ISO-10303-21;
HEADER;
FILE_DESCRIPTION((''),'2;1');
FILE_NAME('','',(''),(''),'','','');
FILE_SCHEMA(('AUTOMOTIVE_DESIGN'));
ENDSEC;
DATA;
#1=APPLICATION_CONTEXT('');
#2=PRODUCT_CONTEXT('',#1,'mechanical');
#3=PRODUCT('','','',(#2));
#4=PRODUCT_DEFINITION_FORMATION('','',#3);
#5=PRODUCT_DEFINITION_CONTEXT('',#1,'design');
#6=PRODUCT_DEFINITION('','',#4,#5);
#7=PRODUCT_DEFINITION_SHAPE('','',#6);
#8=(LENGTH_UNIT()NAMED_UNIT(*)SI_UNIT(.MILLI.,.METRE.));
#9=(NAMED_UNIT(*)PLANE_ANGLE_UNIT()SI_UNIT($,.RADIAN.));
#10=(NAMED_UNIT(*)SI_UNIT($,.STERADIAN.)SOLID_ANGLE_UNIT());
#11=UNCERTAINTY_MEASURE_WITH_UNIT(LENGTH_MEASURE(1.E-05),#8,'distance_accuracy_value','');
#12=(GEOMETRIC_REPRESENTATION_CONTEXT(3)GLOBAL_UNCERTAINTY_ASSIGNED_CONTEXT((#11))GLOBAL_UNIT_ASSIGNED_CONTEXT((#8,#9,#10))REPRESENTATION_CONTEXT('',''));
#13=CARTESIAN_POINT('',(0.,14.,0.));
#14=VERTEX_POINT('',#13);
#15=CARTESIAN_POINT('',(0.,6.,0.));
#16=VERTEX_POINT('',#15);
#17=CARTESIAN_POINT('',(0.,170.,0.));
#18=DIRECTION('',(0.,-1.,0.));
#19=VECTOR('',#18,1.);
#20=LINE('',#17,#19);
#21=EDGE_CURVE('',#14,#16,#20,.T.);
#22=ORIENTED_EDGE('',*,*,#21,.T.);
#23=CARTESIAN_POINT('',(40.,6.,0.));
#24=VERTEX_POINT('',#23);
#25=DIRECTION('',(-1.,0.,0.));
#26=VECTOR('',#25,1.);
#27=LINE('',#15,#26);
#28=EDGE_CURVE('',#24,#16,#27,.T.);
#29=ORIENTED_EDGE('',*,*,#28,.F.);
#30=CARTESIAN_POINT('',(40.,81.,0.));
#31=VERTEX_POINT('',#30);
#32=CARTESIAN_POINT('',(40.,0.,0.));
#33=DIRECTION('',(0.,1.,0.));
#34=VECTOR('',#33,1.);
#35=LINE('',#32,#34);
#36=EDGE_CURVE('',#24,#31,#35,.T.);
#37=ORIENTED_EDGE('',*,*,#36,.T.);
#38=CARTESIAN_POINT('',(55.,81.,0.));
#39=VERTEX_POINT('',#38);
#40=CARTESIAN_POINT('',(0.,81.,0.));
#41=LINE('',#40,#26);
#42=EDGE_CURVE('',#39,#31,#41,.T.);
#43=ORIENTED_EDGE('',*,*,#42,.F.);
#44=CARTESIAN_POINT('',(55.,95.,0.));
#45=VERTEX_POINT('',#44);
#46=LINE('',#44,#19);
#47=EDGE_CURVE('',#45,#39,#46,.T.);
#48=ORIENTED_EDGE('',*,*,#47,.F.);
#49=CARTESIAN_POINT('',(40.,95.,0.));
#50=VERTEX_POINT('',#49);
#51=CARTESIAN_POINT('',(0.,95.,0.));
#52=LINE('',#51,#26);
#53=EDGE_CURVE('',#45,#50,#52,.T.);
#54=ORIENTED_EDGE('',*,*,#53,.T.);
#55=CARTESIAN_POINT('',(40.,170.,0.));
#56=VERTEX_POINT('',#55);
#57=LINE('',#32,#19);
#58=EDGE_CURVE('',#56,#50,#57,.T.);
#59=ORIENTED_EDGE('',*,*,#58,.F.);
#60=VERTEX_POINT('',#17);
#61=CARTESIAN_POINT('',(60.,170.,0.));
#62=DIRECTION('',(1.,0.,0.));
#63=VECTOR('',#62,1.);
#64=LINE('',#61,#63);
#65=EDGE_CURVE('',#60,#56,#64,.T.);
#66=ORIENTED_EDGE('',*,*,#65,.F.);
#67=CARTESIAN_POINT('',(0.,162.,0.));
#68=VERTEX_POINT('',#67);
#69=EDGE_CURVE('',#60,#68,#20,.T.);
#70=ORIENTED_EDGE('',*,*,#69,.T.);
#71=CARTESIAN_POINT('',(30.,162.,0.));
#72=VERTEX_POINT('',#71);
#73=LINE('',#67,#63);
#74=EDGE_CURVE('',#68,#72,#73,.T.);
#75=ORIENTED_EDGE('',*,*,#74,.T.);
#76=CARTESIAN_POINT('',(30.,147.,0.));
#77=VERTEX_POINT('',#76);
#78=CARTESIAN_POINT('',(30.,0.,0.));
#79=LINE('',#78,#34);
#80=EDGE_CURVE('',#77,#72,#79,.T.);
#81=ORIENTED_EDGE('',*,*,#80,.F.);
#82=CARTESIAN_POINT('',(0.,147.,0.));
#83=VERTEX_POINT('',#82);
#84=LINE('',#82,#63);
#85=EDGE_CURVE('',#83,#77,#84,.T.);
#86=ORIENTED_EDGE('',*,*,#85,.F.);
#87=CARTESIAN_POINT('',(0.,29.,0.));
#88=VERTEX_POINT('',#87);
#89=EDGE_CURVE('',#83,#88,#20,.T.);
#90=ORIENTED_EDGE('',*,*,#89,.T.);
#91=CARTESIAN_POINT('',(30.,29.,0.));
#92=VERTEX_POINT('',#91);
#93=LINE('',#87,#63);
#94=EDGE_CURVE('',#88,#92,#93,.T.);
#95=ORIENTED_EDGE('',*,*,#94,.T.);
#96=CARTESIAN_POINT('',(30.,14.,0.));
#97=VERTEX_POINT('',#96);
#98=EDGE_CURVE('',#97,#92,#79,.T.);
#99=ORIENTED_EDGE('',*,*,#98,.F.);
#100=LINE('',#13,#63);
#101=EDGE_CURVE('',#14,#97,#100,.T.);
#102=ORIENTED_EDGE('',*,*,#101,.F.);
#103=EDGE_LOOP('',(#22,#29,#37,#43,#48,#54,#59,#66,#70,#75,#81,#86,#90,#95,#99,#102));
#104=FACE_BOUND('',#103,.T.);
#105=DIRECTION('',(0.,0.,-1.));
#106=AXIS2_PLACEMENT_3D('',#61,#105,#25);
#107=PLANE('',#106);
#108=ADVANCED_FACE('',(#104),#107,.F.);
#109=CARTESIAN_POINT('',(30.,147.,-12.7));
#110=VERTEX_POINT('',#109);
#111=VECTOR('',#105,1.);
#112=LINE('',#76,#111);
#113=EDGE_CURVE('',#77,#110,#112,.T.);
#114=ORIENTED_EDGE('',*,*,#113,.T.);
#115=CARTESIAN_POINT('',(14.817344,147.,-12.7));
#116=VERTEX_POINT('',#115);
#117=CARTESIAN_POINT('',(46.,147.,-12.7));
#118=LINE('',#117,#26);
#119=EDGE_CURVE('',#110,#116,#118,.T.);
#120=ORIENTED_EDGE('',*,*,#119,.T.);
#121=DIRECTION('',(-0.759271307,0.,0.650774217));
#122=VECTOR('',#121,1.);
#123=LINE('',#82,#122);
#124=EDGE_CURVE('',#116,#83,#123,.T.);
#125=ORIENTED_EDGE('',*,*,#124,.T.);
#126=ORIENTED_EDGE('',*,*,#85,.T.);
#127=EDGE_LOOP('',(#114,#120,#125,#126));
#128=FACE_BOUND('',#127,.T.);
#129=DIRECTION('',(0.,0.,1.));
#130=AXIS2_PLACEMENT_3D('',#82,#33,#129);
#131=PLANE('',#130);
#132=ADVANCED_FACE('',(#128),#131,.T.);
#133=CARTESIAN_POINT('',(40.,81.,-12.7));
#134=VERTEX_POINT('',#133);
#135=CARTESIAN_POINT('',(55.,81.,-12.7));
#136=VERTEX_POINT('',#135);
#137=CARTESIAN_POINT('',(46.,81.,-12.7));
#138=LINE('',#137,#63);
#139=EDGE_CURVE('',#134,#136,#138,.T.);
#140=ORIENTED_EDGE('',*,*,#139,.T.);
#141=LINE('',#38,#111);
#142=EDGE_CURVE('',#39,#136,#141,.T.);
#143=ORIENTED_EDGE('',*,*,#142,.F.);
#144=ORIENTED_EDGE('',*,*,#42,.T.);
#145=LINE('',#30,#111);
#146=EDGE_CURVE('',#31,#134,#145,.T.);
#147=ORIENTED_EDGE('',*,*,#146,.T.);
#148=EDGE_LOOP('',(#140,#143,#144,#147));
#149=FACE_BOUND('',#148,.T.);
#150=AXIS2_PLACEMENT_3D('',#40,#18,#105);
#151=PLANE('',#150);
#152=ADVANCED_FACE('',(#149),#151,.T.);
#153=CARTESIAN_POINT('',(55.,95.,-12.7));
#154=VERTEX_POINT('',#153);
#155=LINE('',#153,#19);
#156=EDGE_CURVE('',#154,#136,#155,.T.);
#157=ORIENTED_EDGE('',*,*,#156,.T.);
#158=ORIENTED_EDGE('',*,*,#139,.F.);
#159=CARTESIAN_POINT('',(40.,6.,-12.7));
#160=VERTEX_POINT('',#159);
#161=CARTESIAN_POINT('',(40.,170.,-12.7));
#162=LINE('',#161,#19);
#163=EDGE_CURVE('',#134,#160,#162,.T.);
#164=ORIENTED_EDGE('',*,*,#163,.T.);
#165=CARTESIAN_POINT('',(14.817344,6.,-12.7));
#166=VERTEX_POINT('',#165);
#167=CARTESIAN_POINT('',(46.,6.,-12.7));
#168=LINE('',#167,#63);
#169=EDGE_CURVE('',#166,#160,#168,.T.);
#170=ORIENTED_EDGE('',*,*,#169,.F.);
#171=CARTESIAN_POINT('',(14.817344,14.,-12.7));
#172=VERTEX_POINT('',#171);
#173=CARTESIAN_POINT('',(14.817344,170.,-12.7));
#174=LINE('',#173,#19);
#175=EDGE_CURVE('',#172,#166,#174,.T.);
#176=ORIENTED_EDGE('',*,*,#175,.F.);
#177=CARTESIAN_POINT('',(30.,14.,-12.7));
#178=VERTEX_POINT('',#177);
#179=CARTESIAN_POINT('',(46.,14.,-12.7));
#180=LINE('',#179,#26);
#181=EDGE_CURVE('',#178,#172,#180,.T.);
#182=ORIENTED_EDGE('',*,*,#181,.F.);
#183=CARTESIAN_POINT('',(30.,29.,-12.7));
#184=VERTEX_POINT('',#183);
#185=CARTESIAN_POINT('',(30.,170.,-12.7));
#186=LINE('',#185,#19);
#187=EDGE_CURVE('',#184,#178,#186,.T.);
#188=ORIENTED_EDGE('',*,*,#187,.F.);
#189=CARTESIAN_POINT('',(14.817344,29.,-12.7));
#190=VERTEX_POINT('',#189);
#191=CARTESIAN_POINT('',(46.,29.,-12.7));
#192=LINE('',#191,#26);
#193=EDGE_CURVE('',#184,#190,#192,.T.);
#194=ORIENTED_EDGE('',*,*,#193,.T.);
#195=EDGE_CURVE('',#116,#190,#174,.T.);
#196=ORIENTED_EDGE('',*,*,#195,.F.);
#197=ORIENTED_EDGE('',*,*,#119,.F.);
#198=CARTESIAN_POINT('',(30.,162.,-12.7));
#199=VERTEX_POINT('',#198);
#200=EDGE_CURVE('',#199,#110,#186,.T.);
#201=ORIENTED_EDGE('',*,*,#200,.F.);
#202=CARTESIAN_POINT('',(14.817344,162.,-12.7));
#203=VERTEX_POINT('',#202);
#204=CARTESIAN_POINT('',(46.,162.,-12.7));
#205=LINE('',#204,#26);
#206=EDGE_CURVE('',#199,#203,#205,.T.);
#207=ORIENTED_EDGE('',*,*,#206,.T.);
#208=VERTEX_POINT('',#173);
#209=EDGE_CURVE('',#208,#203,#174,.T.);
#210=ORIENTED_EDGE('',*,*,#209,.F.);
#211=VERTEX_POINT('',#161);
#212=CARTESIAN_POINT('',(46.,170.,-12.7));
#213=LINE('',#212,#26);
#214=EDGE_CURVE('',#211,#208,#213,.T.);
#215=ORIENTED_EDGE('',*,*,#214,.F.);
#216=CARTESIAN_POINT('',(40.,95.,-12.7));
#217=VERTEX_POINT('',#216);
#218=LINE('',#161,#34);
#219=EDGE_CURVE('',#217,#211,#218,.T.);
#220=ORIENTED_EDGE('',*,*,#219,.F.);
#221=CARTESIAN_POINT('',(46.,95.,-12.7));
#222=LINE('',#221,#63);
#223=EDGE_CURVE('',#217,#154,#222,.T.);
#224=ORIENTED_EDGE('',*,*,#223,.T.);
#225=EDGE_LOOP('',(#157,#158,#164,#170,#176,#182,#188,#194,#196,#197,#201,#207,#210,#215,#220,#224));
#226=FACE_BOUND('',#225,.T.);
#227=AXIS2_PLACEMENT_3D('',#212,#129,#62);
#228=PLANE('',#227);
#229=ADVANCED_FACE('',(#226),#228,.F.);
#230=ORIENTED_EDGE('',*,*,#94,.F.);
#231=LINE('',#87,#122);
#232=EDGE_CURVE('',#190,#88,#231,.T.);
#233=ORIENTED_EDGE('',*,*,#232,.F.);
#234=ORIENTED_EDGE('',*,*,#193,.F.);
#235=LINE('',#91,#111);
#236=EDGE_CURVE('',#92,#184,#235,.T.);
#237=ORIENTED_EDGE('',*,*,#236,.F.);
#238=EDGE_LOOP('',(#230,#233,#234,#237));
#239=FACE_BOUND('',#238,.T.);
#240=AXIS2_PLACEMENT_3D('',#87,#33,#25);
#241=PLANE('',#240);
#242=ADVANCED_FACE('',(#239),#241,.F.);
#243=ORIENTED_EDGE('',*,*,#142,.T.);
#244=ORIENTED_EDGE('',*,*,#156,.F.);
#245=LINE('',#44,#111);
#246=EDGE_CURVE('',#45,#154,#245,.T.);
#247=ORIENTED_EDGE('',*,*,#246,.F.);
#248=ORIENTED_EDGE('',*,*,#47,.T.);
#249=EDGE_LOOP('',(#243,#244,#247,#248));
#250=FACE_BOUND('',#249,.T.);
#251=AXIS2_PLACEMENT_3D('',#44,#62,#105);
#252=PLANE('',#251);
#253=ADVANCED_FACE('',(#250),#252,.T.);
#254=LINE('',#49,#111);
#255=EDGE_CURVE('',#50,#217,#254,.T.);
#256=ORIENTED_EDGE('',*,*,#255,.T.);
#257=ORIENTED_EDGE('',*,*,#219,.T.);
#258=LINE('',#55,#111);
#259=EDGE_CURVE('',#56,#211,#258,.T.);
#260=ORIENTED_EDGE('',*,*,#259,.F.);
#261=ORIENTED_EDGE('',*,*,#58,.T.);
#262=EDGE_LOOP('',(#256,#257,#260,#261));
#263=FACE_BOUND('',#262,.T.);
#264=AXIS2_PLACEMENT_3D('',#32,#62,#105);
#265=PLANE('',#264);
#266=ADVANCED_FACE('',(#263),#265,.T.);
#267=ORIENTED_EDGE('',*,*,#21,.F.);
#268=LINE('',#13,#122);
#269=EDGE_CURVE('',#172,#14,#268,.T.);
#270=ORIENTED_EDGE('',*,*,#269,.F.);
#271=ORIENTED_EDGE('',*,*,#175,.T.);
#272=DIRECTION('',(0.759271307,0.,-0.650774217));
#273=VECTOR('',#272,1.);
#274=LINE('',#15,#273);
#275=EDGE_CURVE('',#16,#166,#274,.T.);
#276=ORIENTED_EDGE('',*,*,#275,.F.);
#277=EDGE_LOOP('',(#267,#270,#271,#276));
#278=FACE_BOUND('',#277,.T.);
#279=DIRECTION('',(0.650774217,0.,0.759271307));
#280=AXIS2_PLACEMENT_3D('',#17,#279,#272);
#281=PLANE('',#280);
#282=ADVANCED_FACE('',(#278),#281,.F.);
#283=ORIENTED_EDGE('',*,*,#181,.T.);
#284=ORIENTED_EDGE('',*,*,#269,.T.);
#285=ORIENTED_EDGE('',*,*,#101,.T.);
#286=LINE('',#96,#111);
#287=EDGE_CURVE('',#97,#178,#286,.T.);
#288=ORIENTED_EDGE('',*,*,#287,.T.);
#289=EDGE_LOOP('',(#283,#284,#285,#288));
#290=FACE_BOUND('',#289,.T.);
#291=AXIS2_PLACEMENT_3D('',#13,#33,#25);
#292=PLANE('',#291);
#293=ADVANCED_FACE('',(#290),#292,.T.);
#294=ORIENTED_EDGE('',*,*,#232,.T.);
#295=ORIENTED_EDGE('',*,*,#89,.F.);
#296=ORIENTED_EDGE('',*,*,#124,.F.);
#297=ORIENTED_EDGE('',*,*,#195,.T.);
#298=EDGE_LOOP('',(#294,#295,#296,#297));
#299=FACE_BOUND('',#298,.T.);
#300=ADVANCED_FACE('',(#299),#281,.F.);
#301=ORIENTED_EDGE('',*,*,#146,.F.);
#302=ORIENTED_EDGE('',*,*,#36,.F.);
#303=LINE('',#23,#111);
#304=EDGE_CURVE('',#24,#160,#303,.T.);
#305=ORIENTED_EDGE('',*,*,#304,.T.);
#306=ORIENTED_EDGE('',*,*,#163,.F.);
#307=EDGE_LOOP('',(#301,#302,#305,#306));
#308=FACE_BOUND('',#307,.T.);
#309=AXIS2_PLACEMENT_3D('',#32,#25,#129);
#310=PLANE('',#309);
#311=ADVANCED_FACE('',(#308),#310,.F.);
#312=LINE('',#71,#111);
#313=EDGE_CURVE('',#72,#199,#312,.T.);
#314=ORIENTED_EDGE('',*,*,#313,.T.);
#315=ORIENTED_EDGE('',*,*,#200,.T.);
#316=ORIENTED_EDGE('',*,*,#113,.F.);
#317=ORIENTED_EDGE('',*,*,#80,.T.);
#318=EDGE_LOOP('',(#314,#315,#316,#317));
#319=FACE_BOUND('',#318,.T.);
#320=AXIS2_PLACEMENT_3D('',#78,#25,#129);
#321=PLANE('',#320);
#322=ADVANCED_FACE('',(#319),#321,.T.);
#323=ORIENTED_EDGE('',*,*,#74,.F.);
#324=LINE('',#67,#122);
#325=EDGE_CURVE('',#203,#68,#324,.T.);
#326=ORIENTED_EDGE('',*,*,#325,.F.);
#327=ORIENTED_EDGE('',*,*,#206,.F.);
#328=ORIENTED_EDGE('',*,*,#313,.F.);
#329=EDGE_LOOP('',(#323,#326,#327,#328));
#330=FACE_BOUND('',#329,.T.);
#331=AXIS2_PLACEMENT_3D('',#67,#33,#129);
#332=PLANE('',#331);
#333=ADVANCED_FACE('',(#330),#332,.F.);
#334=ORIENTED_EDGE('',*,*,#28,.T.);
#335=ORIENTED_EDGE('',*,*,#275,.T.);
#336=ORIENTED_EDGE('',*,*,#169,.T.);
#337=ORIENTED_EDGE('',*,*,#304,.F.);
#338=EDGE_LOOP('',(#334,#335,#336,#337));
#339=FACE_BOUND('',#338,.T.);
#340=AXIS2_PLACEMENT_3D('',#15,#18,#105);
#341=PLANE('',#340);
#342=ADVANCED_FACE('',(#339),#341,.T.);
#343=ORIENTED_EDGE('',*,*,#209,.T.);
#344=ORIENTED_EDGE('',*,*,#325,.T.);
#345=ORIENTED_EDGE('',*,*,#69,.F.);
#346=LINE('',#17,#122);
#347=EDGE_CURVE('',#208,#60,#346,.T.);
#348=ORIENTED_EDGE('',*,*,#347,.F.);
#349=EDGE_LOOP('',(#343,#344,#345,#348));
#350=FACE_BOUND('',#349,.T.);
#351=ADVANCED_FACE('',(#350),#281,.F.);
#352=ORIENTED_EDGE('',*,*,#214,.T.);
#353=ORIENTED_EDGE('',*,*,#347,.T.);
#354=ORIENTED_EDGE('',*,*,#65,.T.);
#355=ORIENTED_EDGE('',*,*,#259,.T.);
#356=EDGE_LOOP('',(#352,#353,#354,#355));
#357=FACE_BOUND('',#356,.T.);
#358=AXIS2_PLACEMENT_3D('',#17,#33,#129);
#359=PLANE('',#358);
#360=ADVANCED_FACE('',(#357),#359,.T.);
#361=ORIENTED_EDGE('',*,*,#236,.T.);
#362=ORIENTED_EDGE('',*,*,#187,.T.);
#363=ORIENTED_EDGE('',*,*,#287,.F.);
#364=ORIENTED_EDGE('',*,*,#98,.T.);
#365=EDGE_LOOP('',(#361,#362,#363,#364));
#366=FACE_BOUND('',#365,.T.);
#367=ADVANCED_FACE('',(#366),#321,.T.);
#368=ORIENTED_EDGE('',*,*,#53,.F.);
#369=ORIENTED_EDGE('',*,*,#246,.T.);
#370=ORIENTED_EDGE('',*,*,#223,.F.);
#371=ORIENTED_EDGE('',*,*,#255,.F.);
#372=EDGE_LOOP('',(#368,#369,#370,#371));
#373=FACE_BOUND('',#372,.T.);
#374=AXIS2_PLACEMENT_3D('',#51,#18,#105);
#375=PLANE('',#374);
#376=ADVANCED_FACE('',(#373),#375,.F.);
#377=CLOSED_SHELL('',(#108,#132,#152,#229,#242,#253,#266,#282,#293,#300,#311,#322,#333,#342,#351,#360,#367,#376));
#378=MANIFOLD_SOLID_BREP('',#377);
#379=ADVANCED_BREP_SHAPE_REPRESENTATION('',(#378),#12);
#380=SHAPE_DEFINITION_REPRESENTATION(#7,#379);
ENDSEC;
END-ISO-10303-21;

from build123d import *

# Parameters (mm, degrees)
SALIENTE_EXTRUIR1_DEPTH    = 170
CROQUIS2_W                 = 8
CROQUIS2_H                 = 27
CORTAR_EXTRUIR1_DEPTH      = 1
CORTAR_EXTRUIR1_DEPTH_BACK = 16
CROQUIS3_W                 = 38.06511858
CROQUIS3_H                 = 175.826127046
CORTAR_EXTRUIR2_DEPTH      = 1
CORTAR_EXTRUIR2_DEPTH_BACK = 16
CROQUIS4_W                 = 35.532251822
CROQUIS4_H                 = 7.536766594
CORTAR_EXTRUIR3_DEPTH      = 1
CORTAR_EXTRUIR3_DEPTH_BACK = 171
CROQUIS5_W                 = 14.817344245
CROQUIS5_H                 = 15
CROQUIS5_W_2               = 15.182655755
CROQUIS5_W_3               = 6
CROQUIS5_H_2               = 75
CROQUIS5_H_3               = 6
CORTAR_EXTRUIR4_DEPTH      = 1
CORTAR_EXTRUIR4_DEPTH_BACK = 13.7
CROQUIS6_W                 = 9
CROQUIS6_H                 = 14
SALIENTE_EXTRUIR2_DEPTH    = 12.7


with BuildPart() as part:
    # Croquis1 → Saliente-Extruir1 (new body)
    with BuildSketch(Plane(origin=(0, 0, 0), x_dir=(1, 0, 0), z_dir=(0, 1, 0))):
        Polygon((0, 0), (17.50080029, 15), (60, 15), (60, 0), align=None)
    extrude(amount=SALIENTE_EXTRUIR1_DEPTH)

    # Croquis2 → Cortar-Extruir1 (cut, two sides)
    with BuildSketch(Plane(origin=(0, 0, -15), x_dir=(-1, 0, 0), z_dir=(0, 0, -1))) as cortar_extruir1_sk:
        with Locations((-56, 13.5)):
            Rectangle(CROQUIS2_W, CROQUIS2_H)
        with Locations((-56, 156.5)):
            Rectangle(CROQUIS2_W, CROQUIS2_H)
    extrude(amount=CORTAR_EXTRUIR1_DEPTH, mode=Mode.SUBTRACT)
    extrude(cortar_extruir1_sk.sketch, amount=-CORTAR_EXTRUIR1_DEPTH_BACK, mode=Mode.SUBTRACT)

    # Croquis3 → Cortar-Extruir2 (cut, two sides)
    with BuildSketch(Plane(origin=(0, 0, -15), x_dir=(-1, 0, 0), z_dir=(0, 0, -1))) as cortar_extruir2_sk:
        with Locations((-65.03255929, 82.086936477)):
            Rectangle(CROQUIS3_W, CROQUIS3_H)
    extrude(amount=CORTAR_EXTRUIR2_DEPTH, mode=Mode.SUBTRACT)
    extrude(cortar_extruir2_sk.sketch, amount=-CORTAR_EXTRUIR2_DEPTH_BACK, mode=Mode.SUBTRACT)

    # Croquis4 → Cortar-Extruir3 (cut, two sides)
    with BuildSketch(Plane.XZ) as cortar_extruir3_sk:
        with Locations((28.233874089, -16.468383297)):
            Rectangle(CROQUIS4_W, CROQUIS4_H)
    extrude(amount=CORTAR_EXTRUIR3_DEPTH, mode=Mode.SUBTRACT)
    extrude(cortar_extruir3_sk.sketch, amount=-CORTAR_EXTRUIR3_DEPTH_BACK, mode=Mode.SUBTRACT)

    # Croquis5 → Cortar-Extruir4 (cut, two sides)
    with BuildSketch(Plane(origin=(0, 0, -12.7), x_dir=(-1, 0, 0), z_dir=(0, 0, -1))) as cortar_extruir4_sk:
        with Locations((-7.408672123, 21.5)):
            Rectangle(CROQUIS5_W, CROQUIS5_H)
        with Locations((-22.408672123, 21.5)):
            Rectangle(CROQUIS5_W_2, CROQUIS5_H)
        with Locations((-43, 43.5)):
            Rectangle(CROQUIS5_W_3, CROQUIS5_H_2)
        Polygon((-40, 6), (-46, 6), (-46, 0), (-14.817344245, 0), (-14.817344245, 6), align=None)
        with Locations((-7.408672123, 3)):
            Rectangle(CROQUIS5_W, CROQUIS5_H_3)
        with Locations((-43, 132.5)):
            Rectangle(CROQUIS5_W_3, CROQUIS5_H_2)
        with Locations((-22.408672123, 154.5)):
            Rectangle(CROQUIS5_W_2, CROQUIS5_H)
        with Locations((-7.408672123, 154.5)):
            Rectangle(CROQUIS5_W, CROQUIS5_H)
    extrude(amount=CORTAR_EXTRUIR4_DEPTH, mode=Mode.SUBTRACT)
    extrude(cortar_extruir4_sk.sketch, amount=-CORTAR_EXTRUIR4_DEPTH_BACK, mode=Mode.SUBTRACT)

    # Croquis6 → Saliente-Extruir2 (add)
    with BuildSketch(Plane(origin=(0, 0, -12.7), x_dir=(-1, 0, 0), z_dir=(0, 0, -1))):
        with Locations((-50.5, 88)):
            Rectangle(CROQUIS6_W, CROQUIS6_H)
    extrude(amount=-SALIENTE_EXTRUIR2_DEPTH)


solid = part.part
